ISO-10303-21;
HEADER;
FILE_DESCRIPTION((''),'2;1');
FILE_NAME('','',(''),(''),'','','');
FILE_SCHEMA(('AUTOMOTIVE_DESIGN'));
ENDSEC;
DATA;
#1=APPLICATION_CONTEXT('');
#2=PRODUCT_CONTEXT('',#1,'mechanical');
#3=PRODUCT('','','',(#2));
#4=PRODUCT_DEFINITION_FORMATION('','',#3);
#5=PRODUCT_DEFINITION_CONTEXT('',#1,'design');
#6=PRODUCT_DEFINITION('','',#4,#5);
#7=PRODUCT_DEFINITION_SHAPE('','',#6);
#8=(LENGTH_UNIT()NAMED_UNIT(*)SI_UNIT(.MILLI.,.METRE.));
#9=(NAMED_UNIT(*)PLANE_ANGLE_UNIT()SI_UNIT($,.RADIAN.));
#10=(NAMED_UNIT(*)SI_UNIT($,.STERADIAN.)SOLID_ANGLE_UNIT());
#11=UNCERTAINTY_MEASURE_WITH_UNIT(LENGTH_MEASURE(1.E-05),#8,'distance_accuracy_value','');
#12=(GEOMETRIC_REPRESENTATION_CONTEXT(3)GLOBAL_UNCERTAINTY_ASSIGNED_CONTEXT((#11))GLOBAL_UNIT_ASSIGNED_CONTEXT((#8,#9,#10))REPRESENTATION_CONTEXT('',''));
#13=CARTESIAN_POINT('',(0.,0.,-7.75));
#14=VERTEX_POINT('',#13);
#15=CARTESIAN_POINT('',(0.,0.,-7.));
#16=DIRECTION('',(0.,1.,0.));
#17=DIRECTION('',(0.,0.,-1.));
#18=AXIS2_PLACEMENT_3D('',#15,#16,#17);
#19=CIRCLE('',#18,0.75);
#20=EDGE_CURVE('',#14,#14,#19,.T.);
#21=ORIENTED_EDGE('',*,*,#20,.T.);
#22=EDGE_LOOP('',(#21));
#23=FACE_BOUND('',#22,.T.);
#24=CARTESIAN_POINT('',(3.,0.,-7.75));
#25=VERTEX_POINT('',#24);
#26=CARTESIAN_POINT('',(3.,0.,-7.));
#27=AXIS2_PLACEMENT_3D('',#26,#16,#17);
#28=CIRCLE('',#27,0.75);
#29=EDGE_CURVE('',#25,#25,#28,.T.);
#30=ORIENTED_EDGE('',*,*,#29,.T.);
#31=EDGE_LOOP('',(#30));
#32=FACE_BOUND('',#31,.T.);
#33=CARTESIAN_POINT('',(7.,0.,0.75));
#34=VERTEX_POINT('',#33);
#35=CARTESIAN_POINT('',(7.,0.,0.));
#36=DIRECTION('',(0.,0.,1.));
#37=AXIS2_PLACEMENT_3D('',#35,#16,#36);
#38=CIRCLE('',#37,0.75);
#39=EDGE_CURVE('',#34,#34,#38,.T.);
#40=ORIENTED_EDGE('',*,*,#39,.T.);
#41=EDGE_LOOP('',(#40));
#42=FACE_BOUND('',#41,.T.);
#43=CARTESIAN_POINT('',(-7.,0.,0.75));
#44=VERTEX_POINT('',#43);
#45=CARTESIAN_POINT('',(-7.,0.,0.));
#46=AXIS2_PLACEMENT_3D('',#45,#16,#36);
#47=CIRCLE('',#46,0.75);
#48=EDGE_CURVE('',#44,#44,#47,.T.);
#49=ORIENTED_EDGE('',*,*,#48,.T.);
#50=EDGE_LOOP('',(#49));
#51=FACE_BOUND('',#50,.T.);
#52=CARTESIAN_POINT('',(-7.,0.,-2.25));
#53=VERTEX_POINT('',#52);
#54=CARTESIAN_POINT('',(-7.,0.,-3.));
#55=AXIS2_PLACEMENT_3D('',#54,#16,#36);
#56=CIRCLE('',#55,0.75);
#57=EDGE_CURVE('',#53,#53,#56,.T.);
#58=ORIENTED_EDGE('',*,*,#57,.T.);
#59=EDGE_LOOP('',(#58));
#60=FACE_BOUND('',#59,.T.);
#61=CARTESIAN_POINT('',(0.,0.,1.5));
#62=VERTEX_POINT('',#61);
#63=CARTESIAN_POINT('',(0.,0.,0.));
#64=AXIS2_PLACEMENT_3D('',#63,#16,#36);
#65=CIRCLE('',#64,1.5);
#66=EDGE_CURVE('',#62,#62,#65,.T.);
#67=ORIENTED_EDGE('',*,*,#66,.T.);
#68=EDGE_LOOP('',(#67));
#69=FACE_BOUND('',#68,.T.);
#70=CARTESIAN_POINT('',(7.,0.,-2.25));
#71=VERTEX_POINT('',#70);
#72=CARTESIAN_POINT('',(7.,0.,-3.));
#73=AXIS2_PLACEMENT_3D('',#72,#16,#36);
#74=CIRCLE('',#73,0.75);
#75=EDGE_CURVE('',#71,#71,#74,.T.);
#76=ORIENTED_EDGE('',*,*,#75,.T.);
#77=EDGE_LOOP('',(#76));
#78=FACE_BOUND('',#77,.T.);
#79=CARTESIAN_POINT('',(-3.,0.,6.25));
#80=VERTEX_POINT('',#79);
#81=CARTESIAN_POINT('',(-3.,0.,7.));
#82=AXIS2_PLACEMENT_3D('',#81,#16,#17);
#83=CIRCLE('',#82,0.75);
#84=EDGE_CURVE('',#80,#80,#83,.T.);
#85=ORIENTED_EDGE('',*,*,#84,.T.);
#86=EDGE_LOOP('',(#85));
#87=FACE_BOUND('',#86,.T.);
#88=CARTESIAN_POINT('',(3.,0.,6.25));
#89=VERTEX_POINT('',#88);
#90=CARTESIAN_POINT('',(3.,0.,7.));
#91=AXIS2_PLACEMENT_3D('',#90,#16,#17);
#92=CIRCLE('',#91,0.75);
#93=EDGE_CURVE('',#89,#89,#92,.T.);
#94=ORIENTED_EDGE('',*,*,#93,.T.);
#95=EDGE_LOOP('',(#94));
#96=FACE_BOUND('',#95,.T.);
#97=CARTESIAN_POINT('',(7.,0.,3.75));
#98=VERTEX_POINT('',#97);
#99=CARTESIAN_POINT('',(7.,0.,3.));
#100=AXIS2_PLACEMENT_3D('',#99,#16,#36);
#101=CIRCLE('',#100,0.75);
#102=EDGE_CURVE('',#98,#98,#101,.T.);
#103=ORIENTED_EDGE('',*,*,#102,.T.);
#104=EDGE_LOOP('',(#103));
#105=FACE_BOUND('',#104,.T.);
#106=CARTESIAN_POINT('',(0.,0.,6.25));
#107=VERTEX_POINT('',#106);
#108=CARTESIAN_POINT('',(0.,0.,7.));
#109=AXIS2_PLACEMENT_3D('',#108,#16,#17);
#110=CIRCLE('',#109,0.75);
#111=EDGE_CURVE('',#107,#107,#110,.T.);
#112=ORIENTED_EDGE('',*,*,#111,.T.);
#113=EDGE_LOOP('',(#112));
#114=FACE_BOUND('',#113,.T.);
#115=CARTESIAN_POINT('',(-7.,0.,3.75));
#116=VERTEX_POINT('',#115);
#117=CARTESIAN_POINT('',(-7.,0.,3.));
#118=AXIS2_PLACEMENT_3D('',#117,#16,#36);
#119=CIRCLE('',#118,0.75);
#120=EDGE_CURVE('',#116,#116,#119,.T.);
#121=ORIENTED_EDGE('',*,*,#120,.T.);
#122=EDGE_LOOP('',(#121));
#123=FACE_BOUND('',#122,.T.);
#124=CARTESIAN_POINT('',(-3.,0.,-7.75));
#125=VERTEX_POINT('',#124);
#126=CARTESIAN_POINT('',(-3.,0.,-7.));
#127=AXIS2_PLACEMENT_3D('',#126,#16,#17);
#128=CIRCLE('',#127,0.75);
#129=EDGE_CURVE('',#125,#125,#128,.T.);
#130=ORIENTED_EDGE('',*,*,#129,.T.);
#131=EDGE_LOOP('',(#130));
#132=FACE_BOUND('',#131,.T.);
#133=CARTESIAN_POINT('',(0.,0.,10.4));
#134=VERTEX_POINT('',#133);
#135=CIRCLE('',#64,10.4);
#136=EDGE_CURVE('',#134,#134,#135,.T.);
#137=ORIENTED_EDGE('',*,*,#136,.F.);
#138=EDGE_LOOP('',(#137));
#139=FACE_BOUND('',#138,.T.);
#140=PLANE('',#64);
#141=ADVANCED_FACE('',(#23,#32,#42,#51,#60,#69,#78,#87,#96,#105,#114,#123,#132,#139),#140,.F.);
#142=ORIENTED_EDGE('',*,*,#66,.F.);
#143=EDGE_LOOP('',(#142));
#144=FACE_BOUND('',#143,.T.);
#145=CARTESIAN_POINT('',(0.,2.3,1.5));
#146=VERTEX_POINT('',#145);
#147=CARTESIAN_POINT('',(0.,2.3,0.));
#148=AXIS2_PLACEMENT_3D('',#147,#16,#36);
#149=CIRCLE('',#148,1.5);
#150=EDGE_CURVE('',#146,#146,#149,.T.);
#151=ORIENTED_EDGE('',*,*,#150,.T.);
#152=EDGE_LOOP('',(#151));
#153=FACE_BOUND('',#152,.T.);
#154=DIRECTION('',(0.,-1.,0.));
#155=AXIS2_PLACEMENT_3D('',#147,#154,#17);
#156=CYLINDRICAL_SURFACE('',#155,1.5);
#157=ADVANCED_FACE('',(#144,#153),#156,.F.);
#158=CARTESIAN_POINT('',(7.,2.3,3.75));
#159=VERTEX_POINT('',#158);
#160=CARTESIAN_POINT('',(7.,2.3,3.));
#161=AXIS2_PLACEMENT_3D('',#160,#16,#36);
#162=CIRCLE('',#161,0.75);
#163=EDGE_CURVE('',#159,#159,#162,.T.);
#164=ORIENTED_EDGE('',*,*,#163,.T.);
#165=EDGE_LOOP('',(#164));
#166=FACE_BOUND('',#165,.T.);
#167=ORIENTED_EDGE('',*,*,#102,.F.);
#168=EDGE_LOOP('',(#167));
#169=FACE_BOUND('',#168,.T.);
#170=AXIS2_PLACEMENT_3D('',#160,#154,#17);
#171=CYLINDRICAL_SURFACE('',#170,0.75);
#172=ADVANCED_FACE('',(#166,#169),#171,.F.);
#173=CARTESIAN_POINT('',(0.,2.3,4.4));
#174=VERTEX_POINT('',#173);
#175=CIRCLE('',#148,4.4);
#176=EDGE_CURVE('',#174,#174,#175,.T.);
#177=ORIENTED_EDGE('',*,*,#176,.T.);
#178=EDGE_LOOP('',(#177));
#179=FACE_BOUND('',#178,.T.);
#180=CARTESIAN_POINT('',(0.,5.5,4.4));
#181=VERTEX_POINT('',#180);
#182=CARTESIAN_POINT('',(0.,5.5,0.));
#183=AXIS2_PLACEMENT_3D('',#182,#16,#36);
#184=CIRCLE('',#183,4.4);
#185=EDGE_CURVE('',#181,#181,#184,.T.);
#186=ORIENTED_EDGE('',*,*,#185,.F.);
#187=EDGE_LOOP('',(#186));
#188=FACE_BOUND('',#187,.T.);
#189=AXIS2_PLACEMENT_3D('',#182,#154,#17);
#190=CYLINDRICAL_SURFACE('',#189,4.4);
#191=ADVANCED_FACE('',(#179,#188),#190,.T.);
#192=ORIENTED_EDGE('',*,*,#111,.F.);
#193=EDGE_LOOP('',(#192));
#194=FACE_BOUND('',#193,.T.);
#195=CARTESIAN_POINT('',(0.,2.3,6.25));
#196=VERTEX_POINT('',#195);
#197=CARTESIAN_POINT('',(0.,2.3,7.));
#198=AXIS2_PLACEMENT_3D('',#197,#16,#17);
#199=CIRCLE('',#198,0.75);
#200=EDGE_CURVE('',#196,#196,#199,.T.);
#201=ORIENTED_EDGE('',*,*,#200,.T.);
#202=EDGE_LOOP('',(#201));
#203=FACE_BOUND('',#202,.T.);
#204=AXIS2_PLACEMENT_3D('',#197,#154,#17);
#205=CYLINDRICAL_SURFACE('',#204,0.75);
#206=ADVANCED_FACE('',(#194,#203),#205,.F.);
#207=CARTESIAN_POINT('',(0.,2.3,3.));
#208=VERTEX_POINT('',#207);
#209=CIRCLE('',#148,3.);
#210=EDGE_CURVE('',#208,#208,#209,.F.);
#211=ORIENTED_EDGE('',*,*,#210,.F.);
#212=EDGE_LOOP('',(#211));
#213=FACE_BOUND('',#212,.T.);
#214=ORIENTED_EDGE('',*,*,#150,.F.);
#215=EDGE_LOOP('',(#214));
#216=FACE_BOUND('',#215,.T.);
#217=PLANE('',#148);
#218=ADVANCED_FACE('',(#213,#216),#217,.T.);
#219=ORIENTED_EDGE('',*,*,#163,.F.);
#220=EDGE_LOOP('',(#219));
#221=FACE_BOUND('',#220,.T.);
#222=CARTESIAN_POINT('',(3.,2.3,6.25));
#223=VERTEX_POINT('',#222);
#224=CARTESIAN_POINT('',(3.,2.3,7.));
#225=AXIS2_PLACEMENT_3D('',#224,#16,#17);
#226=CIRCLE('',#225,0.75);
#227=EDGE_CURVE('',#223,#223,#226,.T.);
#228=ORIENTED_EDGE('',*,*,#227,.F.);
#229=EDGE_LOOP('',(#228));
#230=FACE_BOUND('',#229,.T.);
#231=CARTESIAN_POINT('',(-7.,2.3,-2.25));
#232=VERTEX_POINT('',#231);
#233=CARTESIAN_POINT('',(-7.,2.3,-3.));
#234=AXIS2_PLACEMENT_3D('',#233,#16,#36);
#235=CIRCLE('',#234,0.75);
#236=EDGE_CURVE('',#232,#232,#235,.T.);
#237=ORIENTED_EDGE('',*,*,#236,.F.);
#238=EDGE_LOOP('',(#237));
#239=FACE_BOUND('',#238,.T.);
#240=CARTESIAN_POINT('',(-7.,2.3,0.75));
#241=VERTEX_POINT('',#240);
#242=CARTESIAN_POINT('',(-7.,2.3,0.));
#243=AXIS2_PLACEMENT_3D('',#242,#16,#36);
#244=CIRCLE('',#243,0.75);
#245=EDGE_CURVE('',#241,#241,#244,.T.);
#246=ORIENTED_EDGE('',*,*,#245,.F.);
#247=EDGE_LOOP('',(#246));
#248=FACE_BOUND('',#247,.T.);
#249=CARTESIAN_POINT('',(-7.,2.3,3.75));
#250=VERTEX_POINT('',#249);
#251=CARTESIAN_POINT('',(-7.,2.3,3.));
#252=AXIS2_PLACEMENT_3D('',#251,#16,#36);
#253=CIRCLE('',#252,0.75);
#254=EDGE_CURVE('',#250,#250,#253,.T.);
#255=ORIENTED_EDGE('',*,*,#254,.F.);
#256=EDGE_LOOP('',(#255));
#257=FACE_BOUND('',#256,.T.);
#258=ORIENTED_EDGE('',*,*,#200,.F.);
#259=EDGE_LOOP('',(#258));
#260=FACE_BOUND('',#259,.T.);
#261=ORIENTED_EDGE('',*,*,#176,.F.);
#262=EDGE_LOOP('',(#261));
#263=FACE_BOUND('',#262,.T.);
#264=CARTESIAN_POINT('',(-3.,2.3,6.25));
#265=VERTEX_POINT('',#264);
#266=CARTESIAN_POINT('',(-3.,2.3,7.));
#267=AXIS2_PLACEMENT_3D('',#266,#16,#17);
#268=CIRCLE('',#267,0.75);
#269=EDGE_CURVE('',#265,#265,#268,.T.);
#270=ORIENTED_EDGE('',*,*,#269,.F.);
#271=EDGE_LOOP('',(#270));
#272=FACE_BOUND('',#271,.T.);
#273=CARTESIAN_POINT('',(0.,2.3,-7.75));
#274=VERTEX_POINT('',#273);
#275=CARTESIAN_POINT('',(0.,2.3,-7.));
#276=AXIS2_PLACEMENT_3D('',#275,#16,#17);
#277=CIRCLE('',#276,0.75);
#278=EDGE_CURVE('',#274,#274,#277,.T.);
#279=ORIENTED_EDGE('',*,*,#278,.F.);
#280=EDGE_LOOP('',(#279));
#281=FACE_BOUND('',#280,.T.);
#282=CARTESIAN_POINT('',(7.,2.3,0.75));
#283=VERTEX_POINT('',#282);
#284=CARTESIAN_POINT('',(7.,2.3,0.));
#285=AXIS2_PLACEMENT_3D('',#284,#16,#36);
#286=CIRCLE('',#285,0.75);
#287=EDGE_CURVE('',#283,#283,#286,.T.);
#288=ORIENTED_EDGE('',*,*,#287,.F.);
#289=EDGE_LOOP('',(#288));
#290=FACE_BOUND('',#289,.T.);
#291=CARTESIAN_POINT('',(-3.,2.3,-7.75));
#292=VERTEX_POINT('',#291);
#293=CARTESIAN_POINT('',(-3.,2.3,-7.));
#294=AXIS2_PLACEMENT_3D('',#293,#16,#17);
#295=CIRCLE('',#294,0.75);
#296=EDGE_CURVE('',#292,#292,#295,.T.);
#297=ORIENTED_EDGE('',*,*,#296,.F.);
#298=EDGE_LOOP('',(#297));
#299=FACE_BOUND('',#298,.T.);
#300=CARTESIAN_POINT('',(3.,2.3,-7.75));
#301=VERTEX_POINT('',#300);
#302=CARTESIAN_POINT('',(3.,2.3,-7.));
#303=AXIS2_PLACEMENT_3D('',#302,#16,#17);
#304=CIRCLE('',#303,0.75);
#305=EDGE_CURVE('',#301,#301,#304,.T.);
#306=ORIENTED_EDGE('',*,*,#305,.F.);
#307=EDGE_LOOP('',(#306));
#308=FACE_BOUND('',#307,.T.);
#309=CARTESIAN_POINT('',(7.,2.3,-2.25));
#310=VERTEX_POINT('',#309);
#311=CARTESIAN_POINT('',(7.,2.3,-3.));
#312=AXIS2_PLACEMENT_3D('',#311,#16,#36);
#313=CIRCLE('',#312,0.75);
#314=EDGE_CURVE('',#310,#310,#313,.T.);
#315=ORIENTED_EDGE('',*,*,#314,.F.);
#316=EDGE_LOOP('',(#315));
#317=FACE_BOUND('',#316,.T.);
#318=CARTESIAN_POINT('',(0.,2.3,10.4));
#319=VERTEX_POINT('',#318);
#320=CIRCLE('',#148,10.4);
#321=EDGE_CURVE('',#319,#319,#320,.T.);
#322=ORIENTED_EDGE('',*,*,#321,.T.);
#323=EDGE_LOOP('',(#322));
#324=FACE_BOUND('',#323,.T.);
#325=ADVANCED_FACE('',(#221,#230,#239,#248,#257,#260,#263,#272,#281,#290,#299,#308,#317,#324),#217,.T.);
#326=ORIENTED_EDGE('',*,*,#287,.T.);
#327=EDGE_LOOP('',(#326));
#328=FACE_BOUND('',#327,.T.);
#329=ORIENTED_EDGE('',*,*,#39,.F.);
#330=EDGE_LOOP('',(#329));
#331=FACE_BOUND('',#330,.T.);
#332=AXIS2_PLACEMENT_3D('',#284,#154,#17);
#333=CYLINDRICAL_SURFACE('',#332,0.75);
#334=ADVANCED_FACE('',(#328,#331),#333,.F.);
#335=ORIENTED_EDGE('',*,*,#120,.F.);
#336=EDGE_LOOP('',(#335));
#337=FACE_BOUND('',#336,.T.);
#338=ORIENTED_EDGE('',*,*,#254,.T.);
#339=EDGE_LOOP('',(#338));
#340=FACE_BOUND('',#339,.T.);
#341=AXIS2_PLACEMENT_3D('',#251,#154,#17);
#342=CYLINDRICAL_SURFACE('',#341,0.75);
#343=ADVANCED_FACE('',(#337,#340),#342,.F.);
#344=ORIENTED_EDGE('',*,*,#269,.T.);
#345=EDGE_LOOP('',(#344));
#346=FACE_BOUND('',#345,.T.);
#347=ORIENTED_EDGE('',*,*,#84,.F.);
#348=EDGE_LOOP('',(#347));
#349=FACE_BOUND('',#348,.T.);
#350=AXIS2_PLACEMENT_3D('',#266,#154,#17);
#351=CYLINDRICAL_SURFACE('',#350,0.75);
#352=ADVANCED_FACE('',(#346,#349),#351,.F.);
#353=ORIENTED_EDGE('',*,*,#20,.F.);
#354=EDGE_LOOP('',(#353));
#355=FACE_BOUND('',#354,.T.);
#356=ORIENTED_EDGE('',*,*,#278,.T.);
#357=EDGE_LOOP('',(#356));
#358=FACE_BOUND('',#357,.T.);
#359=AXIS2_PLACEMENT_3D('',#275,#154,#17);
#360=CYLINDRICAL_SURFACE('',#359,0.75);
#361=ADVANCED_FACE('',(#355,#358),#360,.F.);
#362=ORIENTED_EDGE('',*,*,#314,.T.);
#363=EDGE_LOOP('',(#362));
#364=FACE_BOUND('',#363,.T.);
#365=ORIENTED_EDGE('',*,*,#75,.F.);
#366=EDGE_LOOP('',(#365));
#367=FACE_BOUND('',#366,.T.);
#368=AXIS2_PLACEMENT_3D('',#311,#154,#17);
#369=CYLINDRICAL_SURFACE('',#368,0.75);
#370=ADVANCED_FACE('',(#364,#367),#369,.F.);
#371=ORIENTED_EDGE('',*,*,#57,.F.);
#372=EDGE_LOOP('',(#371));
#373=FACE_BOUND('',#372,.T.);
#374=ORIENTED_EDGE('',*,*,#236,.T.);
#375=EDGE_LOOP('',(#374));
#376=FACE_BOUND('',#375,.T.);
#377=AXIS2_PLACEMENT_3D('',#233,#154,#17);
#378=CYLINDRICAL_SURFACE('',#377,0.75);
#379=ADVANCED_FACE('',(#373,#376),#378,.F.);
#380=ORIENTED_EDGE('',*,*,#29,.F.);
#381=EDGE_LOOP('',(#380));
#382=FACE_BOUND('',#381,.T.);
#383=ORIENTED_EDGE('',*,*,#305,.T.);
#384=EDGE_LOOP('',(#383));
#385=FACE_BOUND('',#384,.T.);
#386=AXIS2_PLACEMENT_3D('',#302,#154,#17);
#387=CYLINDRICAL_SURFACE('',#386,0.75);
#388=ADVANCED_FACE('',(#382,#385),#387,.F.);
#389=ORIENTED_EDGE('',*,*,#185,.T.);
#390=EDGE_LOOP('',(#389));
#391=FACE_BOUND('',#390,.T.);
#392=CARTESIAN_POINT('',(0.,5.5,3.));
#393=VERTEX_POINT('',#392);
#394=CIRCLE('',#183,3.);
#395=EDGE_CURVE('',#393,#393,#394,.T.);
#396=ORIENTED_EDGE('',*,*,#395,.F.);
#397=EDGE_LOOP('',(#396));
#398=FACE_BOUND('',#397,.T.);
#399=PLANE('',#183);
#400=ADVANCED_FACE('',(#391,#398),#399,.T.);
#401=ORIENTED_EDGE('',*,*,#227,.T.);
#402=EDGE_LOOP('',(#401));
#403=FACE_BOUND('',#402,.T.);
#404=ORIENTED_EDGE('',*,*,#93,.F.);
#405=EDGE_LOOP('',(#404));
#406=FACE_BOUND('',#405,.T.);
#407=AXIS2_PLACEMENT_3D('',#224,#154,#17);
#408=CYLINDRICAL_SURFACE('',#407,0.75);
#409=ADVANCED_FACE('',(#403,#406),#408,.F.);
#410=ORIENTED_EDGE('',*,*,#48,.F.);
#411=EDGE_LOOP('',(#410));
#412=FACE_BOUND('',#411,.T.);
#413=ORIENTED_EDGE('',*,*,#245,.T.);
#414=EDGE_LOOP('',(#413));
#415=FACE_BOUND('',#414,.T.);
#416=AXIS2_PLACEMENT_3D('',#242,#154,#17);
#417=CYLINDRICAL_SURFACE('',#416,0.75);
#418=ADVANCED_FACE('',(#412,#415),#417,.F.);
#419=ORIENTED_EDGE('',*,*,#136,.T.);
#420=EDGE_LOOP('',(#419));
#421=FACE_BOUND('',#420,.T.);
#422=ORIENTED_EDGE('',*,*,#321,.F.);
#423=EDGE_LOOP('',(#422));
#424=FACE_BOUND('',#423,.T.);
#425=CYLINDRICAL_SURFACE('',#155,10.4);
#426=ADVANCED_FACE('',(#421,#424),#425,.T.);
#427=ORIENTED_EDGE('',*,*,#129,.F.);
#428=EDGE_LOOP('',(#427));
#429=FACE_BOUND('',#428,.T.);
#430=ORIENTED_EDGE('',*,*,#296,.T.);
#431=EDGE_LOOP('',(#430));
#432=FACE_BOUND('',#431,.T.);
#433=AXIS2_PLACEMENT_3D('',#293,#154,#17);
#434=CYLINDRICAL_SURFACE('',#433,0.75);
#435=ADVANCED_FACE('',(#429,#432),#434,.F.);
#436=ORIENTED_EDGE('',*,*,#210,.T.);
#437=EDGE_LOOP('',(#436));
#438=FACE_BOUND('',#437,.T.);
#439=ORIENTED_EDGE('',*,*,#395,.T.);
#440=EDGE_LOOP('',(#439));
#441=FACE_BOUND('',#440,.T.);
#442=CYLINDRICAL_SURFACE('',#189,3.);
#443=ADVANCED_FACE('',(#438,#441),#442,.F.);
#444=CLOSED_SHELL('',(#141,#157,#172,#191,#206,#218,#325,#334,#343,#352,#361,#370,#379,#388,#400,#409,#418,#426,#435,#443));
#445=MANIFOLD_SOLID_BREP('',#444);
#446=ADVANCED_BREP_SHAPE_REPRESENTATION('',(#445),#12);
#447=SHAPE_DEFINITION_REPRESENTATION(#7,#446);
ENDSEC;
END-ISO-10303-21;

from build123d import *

# Parameters (mm, degrees)
SKETCH1_R           = 10.4
SKETCH1_R_2         = 0.75
SKETCH1_R_3         = 1.5
BOSS_EXTRUDE1_DEPTH = 2.3
SKETCH2_R           = 4.4
SKETCH2_R_2         = 3
BOSS_EXTRUDE2_DEPTH = 3.2


with BuildPart() as part:
    # Sketch1 → Boss-Extrude1 (new body)
    with BuildSketch(Plane(origin=(0, 0, 0), x_dir=(1, 0, 0), z_dir=(0, 1, 0))):
        Circle(SKETCH1_R)
        with Locations((7, 0)):
            Circle(SKETCH1_R_2, mode=Mode.SUBTRACT)
        with Locations((7, 3)):
            Circle(SKETCH1_R_2, mode=Mode.SUBTRACT)
        with Locations((7, -3)):
            Circle(SKETCH1_R_2, mode=Mode.SUBTRACT)
        with Locations((3, -7)):
            Circle(SKETCH1_R_2, mode=Mode.SUBTRACT)
        with Locations((0, -7)):
            Circle(SKETCH1_R_2, mode=Mode.SUBTRACT)
        with Locations((-3, -7)):
            Circle(SKETCH1_R_2, mode=Mode.SUBTRACT)
        with Locations((-7, -3)):
            Circle(SKETCH1_R_2, mode=Mode.SUBTRACT)
        with Locations((-7, 0)):
            Circle(SKETCH1_R_2, mode=Mode.SUBTRACT)
        with Locations((-7, 3)):
            Circle(SKETCH1_R_2, mode=Mode.SUBTRACT)
        with Locations((-3, 7)):
            Circle(SKETCH1_R_2, mode=Mode.SUBTRACT)
        with Locations((0, 7)):
            Circle(SKETCH1_R_2, mode=Mode.SUBTRACT)
        with Locations((3, 7)):
            Circle(SKETCH1_R_2, mode=Mode.SUBTRACT)
        Circle(SKETCH1_R_3, mode=Mode.SUBTRACT)
    extrude(amount=BOSS_EXTRUDE1_DEPTH)

    # Sketch2 → Boss-Extrude2 (add)
    with BuildSketch(Plane(origin=(0, 2.3, 0), x_dir=(1, 0, 0), z_dir=(0, 1, 0))):
        Circle(SKETCH2_R)
        Circle(SKETCH2_R_2, mode=Mode.SUBTRACT)
    extrude(amount=BOSS_EXTRUDE2_DEPTH)


solid = part.part
